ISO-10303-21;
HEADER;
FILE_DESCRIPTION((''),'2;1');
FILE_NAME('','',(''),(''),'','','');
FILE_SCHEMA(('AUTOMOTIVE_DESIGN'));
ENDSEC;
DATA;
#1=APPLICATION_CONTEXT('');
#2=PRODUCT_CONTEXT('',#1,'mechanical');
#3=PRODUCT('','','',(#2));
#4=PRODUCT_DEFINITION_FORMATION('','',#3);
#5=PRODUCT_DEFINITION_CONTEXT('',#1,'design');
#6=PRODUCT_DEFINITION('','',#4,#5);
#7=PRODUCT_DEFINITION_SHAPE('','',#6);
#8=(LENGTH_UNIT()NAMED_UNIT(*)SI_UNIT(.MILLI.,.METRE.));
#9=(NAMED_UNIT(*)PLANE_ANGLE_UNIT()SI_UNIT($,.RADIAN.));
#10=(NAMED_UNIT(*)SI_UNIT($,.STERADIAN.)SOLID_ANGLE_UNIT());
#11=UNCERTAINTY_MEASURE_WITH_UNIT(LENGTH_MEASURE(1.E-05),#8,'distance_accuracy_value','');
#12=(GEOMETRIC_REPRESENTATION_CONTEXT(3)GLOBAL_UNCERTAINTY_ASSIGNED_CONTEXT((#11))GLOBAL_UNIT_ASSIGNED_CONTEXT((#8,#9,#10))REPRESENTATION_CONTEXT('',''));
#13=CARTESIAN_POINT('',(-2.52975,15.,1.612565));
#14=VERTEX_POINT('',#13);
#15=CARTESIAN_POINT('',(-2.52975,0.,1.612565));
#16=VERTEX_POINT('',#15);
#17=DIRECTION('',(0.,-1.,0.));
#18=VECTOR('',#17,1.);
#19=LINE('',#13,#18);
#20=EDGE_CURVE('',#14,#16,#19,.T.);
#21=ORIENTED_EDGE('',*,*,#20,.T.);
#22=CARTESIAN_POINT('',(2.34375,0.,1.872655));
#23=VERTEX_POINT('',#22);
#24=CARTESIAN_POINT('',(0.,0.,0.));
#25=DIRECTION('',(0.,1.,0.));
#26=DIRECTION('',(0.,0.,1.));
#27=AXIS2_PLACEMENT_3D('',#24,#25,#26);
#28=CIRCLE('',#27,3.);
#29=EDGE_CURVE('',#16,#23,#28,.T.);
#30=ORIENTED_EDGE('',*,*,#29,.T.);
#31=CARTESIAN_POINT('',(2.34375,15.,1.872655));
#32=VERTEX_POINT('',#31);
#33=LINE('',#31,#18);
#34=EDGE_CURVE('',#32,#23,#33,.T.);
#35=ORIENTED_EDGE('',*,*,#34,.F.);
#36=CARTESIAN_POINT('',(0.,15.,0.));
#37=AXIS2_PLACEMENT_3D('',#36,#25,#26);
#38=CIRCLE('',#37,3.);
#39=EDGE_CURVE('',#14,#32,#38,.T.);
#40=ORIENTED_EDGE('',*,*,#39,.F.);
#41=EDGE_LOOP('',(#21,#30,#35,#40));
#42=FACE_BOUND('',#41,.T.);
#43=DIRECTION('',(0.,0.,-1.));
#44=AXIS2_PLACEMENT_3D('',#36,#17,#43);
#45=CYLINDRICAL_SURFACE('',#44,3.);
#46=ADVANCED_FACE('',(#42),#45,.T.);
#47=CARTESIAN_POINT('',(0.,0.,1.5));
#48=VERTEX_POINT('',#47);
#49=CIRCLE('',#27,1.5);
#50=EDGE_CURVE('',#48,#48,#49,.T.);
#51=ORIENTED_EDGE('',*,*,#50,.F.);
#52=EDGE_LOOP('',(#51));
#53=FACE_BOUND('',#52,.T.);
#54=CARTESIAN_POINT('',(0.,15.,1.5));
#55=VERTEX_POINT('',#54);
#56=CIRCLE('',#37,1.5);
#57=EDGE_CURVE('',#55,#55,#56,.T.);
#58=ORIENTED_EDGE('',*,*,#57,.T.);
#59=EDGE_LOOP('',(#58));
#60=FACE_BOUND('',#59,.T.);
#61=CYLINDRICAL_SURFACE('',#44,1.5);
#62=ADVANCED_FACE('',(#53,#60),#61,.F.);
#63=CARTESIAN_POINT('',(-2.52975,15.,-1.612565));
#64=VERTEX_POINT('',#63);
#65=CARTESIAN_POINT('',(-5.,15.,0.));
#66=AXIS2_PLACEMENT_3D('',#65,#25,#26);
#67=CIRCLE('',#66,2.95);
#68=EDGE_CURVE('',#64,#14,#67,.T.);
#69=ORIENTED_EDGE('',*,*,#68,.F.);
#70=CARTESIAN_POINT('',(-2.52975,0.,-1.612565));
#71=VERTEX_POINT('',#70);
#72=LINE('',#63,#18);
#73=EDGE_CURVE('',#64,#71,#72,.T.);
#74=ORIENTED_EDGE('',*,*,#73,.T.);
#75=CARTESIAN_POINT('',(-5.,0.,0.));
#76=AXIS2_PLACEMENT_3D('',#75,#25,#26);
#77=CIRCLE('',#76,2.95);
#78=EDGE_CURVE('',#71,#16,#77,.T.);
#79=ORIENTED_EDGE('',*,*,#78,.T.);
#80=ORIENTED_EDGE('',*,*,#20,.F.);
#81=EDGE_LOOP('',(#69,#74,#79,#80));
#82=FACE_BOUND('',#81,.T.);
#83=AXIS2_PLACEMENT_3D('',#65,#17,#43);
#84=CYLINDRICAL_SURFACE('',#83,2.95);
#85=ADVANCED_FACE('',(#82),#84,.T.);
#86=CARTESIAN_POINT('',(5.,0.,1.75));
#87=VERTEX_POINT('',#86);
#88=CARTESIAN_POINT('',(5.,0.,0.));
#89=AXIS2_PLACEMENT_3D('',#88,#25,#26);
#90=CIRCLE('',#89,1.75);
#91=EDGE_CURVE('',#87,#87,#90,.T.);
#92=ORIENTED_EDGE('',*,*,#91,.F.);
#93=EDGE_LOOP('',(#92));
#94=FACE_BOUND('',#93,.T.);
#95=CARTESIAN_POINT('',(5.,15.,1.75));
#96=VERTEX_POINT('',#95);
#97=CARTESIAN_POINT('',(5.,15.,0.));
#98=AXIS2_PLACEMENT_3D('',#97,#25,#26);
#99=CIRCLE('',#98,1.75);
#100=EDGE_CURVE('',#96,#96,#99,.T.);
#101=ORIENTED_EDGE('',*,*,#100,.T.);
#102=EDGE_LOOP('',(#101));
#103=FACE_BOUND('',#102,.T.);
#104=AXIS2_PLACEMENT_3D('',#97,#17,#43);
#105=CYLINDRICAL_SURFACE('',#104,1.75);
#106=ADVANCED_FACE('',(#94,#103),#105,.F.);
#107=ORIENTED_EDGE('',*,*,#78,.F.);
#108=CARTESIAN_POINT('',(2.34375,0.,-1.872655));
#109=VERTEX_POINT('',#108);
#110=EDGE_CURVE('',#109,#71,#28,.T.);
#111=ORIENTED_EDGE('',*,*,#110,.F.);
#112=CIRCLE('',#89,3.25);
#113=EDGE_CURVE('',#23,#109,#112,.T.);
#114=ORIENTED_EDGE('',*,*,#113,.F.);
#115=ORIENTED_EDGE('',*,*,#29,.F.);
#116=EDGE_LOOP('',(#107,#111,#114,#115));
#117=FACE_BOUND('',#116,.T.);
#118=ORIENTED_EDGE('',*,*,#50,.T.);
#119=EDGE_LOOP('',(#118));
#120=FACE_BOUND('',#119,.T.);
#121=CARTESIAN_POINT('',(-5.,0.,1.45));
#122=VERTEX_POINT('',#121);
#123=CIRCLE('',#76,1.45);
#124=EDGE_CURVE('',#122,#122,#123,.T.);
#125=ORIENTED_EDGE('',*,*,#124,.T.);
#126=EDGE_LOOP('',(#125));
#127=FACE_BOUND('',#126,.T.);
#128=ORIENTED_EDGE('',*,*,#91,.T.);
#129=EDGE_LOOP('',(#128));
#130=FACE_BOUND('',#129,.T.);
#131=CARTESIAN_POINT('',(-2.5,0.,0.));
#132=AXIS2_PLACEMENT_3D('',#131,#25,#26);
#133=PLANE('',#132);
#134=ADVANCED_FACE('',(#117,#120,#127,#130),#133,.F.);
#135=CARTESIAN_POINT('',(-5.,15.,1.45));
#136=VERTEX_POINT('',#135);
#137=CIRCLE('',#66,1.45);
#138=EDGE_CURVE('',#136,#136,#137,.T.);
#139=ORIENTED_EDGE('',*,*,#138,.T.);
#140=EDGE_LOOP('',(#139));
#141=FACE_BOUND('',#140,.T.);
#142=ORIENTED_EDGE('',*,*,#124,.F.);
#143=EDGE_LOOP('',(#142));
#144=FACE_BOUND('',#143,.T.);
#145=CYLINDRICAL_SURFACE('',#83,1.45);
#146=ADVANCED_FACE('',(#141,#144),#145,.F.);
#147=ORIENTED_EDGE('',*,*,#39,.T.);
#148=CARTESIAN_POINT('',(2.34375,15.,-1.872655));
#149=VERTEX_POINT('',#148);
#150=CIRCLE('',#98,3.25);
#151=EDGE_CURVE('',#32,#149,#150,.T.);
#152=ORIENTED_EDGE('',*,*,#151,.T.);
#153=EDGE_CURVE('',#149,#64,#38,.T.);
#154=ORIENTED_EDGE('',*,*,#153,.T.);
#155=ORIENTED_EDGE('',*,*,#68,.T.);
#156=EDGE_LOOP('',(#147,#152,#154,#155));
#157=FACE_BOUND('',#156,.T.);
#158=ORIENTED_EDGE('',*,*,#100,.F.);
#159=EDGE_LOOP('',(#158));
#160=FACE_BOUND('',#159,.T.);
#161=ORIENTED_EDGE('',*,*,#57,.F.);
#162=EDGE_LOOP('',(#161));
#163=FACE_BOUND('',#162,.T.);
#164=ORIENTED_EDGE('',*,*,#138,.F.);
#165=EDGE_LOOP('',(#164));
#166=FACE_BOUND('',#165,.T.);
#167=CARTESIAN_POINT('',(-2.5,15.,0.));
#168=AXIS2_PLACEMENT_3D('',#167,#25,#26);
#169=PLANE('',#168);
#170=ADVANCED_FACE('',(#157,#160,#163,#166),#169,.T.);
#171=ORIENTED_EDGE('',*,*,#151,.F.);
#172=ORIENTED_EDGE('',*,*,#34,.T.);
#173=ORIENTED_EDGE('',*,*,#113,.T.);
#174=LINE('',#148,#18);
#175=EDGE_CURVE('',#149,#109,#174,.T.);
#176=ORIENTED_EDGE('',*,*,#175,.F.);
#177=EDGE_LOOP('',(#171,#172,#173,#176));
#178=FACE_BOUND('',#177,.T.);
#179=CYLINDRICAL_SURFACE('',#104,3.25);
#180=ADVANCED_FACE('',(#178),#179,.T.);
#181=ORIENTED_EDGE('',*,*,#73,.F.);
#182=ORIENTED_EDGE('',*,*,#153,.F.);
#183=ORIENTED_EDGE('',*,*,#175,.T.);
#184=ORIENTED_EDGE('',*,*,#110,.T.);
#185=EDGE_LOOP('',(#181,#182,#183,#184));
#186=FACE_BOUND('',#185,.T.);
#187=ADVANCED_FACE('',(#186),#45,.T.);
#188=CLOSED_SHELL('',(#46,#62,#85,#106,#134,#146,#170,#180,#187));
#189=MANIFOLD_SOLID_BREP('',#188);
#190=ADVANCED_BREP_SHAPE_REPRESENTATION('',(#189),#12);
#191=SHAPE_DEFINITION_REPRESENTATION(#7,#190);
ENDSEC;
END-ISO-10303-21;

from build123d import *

# Parameters (mm, degrees)
SKETCH1_R           = 1.5
SKETCH1_R_2         = 1.75
SKETCH1_R_3         = 1.45
BOSS_EXTRUDE1_DEPTH = 15


with BuildPart() as part:
    # Sketch1 → Boss-Extrude1 (new body)
    with BuildSketch(Plane(origin=(0, 0, 0), x_dir=(1, 0, 0), z_dir=(0, 1, 0))):
        with BuildLine():
            ThreePointArc((-2.52975, 1.612564708), (-7.95, 0), (-2.52975, -1.612564708))
            ThreePointArc((-2.52975, -1.612564708), (-0.159877177, -2.995736852), (2.34375, -1.872654783))
            ThreePointArc((2.34375, -1.872654783), (8.25, 0), (2.34375, 1.872654783))
            ThreePointArc((2.34375, 1.872654783), (-0.159877177, 2.995736852), (-2.52975, 1.612564708))
        make_face()
        with Locations(Location((0, 0, 0), (0, 0, 270))):
            Circle(SKETCH1_R, mode=Mode.SUBTRACT)
        with Locations(Location((5, 0, 0), (0, 0, 270))):
            Circle(SKETCH1_R_2, mode=Mode.SUBTRACT)
        with Locations(Location((-5, 0, 0), (0, 0, 270))):
            Circle(SKETCH1_R_3, mode=Mode.SUBTRACT)
    extrude(amount=BOSS_EXTRUDE1_DEPTH)


solid = part.part
